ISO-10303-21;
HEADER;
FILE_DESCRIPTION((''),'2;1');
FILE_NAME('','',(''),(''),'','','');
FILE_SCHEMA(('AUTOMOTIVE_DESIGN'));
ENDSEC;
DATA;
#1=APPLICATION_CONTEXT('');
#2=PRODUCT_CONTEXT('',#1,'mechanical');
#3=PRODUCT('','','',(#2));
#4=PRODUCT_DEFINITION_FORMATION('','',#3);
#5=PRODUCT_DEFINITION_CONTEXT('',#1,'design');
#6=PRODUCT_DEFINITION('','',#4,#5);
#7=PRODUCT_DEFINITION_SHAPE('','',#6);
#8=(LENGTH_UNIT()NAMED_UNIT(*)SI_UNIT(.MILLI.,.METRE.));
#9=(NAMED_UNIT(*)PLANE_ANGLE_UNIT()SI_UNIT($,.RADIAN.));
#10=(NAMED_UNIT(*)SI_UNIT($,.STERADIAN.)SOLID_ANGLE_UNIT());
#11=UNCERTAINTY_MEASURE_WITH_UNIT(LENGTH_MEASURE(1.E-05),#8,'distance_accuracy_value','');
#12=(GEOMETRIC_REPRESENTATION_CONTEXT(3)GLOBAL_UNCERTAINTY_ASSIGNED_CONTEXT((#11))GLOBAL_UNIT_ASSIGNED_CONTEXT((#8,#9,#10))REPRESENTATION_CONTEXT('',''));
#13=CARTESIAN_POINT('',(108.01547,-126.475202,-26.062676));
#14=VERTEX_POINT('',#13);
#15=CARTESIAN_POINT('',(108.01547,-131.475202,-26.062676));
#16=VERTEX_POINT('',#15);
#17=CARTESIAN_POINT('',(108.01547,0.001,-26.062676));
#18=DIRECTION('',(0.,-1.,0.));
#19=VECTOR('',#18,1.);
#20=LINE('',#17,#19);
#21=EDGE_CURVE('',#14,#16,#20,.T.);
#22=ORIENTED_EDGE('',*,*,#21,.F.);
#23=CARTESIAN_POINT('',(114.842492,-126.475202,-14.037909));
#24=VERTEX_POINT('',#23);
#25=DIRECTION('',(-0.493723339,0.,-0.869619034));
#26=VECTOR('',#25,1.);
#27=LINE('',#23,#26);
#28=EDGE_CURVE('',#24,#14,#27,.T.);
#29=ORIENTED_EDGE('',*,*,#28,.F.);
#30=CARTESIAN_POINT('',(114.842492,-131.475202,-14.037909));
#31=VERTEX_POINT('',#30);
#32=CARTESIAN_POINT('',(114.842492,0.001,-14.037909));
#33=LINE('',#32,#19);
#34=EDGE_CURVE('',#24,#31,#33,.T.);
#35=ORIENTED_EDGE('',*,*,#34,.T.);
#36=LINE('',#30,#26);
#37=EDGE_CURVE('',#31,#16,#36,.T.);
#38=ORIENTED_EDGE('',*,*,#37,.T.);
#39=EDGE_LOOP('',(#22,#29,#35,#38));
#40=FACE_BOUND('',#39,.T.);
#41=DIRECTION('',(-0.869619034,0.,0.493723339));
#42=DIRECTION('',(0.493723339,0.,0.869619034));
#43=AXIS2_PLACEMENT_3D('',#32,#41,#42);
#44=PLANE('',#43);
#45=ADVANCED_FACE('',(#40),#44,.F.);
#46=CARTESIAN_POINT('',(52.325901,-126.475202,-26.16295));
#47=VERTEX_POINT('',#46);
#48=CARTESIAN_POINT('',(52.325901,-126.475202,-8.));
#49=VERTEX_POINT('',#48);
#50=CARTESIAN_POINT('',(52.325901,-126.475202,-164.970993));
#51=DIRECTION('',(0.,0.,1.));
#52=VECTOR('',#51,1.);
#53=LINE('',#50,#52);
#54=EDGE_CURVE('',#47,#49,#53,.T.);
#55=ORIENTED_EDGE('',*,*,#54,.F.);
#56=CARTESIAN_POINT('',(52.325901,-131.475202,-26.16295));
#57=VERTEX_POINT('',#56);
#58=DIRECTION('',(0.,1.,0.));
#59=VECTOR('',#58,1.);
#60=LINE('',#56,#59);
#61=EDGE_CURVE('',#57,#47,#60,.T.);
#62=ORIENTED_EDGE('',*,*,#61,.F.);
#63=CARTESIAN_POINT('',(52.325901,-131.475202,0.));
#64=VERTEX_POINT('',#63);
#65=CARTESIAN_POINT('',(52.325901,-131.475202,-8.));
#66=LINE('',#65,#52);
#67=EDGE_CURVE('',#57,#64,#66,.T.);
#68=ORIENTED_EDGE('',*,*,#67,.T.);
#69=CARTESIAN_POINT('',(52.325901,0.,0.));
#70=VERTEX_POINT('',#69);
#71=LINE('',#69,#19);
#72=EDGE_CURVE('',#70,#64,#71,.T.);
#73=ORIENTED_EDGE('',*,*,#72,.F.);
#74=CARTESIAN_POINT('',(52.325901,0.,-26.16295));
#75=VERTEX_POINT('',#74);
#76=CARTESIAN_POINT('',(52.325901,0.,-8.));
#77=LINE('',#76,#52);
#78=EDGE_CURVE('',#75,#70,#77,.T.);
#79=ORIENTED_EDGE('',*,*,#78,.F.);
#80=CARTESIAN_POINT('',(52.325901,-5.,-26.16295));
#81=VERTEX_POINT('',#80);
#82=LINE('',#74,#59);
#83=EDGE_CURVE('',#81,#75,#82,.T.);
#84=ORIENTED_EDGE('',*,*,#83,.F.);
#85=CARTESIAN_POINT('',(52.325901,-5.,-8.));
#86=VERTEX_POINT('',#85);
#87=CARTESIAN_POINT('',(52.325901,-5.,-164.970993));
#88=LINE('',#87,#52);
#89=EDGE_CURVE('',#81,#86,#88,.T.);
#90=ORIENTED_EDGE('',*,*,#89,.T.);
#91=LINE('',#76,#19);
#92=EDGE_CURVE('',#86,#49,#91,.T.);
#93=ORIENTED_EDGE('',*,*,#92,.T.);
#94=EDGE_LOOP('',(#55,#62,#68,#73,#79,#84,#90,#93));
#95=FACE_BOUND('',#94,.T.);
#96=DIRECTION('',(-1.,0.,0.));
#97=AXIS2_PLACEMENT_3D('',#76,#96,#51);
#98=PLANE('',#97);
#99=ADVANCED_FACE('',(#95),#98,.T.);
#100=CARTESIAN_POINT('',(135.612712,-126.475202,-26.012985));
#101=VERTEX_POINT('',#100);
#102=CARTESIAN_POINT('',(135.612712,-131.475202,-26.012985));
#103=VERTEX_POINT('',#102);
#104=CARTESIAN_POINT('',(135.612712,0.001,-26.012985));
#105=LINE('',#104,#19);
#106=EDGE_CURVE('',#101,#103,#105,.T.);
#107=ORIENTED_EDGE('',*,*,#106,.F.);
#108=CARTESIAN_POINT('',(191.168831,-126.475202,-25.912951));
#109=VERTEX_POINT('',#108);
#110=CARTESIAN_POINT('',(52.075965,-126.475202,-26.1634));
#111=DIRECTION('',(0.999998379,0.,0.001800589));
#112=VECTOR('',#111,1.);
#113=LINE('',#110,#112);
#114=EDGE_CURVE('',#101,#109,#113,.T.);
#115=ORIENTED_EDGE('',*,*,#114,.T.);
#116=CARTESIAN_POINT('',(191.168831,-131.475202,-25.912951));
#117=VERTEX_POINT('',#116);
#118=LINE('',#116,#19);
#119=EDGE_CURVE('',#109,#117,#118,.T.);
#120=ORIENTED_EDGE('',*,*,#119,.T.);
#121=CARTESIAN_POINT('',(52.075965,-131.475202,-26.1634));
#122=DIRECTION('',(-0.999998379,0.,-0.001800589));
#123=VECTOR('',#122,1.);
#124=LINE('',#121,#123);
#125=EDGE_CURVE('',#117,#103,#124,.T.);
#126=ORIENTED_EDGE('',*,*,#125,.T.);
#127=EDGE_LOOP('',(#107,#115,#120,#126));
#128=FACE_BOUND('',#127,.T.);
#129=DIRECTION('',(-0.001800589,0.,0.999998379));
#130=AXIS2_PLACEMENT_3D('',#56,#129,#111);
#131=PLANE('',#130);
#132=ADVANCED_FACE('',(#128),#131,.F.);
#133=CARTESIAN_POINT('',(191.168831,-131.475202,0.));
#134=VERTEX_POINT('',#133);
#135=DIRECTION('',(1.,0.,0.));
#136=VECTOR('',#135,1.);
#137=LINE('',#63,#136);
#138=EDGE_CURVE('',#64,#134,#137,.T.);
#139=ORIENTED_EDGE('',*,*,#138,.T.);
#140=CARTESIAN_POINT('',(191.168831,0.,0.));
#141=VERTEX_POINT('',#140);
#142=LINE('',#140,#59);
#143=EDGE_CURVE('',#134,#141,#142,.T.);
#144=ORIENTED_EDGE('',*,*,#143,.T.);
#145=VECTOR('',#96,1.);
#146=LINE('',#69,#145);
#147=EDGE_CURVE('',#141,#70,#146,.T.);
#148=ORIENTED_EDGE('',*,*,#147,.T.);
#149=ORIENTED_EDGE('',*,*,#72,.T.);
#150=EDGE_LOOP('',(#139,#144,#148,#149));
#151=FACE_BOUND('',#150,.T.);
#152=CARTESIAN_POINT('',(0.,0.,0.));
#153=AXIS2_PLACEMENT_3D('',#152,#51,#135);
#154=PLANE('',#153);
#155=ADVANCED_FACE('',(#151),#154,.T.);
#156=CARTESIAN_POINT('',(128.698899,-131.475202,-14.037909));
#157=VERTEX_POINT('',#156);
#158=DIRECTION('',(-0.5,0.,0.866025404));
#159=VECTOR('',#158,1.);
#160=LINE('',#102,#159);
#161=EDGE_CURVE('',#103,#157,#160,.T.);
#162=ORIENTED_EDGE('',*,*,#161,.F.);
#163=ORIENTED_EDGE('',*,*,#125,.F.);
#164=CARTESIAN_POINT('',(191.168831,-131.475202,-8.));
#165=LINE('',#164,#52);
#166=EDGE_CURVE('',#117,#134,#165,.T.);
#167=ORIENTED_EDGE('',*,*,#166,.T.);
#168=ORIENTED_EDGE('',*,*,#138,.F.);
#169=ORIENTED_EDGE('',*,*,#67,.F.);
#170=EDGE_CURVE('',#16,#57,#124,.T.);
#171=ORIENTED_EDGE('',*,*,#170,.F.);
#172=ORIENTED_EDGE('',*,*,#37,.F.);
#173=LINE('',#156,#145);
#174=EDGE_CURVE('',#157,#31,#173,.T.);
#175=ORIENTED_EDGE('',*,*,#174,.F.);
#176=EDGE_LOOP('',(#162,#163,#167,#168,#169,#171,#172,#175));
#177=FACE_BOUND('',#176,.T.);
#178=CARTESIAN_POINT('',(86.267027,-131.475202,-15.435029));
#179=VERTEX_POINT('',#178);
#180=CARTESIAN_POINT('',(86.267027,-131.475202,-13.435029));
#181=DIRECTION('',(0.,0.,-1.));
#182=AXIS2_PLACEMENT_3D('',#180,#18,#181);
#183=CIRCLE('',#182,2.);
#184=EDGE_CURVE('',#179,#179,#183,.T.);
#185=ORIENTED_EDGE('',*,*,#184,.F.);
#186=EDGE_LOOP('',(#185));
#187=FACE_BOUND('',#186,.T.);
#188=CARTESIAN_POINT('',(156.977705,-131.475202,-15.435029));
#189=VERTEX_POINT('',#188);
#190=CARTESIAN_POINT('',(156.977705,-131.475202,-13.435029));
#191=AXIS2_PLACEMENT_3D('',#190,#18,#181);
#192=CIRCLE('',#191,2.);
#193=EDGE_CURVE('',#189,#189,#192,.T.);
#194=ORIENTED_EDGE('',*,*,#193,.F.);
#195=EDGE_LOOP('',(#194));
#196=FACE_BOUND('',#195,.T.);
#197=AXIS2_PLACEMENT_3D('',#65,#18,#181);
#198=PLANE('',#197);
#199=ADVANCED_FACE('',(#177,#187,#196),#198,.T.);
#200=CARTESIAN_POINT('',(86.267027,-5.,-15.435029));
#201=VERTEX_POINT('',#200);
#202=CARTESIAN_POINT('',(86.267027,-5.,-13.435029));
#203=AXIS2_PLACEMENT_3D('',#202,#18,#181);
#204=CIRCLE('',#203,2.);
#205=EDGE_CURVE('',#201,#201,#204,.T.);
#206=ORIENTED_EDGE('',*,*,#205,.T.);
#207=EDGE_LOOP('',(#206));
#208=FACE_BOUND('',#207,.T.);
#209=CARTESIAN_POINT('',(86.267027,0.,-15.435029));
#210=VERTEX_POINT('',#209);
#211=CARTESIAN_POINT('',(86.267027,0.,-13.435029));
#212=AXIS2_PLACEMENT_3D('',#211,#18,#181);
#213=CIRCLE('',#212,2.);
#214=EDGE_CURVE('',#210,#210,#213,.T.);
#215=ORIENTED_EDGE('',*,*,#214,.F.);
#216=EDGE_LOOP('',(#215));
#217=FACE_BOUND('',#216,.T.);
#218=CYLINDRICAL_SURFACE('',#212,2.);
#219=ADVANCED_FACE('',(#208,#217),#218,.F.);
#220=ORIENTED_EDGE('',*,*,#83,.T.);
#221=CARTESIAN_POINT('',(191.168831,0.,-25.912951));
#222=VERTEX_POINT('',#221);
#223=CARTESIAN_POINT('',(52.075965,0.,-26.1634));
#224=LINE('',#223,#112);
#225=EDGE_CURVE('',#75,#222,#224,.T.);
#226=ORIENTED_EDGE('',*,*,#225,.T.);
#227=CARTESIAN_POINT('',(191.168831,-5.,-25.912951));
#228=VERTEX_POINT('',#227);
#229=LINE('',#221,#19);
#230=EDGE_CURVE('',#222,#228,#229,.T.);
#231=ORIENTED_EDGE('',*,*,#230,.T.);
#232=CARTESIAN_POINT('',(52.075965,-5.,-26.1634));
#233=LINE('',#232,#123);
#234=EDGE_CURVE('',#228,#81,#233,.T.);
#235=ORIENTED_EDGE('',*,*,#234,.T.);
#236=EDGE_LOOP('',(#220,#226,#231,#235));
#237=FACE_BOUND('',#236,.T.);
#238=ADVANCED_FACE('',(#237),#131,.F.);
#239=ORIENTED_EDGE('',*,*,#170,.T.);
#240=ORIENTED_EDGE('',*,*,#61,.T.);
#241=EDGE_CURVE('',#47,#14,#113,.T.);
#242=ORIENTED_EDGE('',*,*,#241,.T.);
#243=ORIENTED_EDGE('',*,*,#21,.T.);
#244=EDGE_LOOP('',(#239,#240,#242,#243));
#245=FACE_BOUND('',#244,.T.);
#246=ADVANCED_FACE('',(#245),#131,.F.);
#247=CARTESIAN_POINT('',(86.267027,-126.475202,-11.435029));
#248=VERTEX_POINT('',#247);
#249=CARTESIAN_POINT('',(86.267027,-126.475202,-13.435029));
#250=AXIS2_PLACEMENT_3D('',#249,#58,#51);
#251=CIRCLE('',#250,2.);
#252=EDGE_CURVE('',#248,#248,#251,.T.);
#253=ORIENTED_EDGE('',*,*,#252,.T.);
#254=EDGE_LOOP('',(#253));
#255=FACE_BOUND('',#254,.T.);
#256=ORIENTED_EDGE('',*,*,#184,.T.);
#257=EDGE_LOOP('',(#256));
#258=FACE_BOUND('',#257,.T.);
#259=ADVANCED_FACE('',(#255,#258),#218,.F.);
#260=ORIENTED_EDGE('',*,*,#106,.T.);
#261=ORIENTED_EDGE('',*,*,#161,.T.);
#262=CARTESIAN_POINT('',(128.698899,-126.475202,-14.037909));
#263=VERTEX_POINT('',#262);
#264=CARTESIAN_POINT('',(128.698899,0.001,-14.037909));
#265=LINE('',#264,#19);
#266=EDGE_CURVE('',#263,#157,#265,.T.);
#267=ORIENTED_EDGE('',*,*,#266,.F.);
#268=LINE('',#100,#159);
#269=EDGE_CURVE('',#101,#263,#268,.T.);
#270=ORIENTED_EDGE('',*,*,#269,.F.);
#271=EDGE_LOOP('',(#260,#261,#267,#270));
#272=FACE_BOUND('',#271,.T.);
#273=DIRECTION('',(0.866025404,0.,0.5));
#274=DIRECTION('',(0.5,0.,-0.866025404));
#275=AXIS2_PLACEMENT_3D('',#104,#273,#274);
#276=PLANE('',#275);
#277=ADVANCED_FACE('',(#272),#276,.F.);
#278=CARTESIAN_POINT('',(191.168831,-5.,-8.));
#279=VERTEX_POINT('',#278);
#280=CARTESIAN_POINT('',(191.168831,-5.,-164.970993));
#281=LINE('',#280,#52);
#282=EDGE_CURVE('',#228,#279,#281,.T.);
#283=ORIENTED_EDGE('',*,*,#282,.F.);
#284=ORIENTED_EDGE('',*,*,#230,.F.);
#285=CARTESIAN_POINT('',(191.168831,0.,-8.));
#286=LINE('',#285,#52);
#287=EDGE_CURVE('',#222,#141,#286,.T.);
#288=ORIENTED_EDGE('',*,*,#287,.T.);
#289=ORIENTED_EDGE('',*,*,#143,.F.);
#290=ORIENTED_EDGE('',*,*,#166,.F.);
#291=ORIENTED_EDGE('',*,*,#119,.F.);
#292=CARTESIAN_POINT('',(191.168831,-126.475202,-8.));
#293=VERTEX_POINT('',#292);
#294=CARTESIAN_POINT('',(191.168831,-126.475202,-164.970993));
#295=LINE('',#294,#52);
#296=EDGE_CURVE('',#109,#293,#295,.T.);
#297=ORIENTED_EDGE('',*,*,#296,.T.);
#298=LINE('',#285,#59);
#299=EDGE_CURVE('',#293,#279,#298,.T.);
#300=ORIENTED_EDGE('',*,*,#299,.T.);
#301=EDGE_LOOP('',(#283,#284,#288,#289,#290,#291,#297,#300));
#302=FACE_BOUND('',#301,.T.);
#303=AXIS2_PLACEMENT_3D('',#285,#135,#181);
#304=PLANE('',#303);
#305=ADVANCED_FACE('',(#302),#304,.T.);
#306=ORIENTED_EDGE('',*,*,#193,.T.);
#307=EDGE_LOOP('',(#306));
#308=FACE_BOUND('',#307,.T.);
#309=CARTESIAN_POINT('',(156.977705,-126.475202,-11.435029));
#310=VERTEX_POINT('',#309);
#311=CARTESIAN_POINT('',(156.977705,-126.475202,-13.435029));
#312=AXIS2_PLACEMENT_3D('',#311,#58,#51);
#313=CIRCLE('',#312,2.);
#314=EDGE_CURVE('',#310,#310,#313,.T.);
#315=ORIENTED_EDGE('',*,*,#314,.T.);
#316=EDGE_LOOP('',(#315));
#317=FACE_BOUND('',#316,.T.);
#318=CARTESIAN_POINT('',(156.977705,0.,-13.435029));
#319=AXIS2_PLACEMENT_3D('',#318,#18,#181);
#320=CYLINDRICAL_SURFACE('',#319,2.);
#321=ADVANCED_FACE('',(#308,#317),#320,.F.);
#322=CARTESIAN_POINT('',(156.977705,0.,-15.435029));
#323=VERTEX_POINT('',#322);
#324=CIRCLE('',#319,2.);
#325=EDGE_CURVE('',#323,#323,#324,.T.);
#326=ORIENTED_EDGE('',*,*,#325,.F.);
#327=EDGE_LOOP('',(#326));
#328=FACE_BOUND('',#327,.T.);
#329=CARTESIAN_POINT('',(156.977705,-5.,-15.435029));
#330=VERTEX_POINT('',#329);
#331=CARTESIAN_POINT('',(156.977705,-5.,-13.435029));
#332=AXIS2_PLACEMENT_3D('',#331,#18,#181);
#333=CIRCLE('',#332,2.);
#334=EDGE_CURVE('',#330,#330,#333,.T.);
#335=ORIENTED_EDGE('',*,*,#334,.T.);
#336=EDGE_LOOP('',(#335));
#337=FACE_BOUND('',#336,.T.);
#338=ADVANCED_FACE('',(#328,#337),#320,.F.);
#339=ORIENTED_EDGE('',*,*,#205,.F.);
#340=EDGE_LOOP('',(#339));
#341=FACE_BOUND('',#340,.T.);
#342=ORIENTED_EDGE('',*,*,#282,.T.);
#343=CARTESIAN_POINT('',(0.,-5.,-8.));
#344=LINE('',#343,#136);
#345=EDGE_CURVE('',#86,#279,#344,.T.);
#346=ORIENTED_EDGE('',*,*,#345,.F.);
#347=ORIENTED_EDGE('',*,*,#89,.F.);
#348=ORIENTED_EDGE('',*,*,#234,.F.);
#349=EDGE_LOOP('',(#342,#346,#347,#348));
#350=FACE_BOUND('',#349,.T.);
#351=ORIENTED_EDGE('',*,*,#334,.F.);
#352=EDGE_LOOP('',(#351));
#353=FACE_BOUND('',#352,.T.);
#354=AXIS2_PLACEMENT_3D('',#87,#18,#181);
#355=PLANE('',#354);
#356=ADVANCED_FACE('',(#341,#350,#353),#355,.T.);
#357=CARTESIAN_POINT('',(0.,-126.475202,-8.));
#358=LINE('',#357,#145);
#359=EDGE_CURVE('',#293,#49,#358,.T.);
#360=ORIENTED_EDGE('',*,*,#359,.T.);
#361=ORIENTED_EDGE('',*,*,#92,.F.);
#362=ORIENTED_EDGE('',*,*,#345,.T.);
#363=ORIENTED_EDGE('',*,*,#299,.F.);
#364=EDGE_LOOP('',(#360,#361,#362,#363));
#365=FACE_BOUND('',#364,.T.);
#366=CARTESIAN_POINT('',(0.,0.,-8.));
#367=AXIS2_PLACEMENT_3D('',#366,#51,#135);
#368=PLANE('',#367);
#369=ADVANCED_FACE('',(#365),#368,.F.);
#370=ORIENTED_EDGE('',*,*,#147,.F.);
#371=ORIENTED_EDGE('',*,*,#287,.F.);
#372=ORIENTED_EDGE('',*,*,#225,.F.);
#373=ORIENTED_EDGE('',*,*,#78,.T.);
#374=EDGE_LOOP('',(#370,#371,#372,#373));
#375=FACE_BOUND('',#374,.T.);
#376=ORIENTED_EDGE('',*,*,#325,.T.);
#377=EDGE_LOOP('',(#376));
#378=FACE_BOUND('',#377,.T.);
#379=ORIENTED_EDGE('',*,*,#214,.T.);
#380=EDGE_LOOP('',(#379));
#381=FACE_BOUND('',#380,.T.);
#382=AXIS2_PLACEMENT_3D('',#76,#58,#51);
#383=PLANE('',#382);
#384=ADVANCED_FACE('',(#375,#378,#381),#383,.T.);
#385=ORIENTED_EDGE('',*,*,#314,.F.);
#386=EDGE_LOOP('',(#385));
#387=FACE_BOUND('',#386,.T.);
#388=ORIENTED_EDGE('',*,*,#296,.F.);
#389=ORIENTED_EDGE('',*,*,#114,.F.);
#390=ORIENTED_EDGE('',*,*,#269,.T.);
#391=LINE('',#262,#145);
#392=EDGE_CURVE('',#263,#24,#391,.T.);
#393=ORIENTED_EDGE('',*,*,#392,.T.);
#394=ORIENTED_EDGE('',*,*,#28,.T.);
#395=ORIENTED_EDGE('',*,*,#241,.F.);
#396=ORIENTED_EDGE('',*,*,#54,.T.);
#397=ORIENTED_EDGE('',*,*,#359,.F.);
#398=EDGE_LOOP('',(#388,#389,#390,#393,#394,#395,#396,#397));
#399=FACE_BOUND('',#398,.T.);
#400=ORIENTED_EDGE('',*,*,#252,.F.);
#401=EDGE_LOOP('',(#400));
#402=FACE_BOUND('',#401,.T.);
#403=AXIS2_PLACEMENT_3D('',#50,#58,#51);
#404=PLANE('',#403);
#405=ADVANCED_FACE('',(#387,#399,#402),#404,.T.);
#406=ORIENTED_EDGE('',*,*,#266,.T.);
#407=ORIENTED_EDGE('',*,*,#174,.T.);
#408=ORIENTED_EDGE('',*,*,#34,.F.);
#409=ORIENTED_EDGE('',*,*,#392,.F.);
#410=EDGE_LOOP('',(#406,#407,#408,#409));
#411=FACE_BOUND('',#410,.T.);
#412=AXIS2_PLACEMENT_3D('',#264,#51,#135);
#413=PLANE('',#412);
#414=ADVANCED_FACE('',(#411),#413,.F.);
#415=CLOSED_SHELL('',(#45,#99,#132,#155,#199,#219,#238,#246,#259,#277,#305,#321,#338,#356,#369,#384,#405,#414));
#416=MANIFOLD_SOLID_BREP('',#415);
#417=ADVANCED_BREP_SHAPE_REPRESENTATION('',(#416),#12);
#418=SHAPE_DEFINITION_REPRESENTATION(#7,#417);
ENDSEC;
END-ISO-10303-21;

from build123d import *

# Parameters (mm, degrees)
SKETCH1_W           = 138.84292961
SKETCH1_H           = 131.475201729
BOSS_EXTRUDE1_DEPTH = 8
BOSS_EXTRUDE2_REACH = 234.154
SKETCH3_W           = 138.84292961
SKETCH3_H           = 5
CUT_EXTRUDE1_REACH  = 235.486
SKETCH5_R           = 2
CUT_EXTRUDE2_DEPTH  = 234.486082153


with BuildPart() as part:
    # Sketch1 → Boss-Extrude1 (new body)
    with BuildSketch(Plane.XY):
        with Locations((121.747366115, -65.737600865)):
            Rectangle(SKETCH1_W, SKETCH1_H)
    extrude(amount=-BOSS_EXTRUDE1_DEPTH)

    # Boss-Extrude2: up to this plane
    boss_extrude2_end = Plane(origin=(52.32590131, -131.475201729, -26.162950407), z_dir=(-0.001800589328445012, 0, 0.9999983789377211))
    # Sketch3 → Boss-Extrude2 (add, up to the surface)
    with BuildSketch(Plane.XY, mode=Mode.PRIVATE) as boss_extrude2_sk1:
        with Locations((121.747366115, -2.5)):
            Rectangle(SKETCH3_W, SKETCH3_H)
    boss_extrude2_tool1 = split(extrude(boss_extrude2_sk1.sketch, amount=-BOSS_EXTRUDE2_REACH, mode=Mode.PRIVATE), bisect_by=boss_extrude2_end, keep=Keep.BOTH, mode=Mode.PRIVATE)
    add(boss_extrude2_tool1.solids().sort_by_distance((121.747366, -2.5, 0))[0])
    # Sketch3 → Boss-Extrude2 (add, up to the surface)
    with BuildSketch(Plane.XY, mode=Mode.PRIVATE) as boss_extrude2_sk2:
        with Locations((121.747366115, -128.975201729)):
            Rectangle(SKETCH3_W, SKETCH3_H)
    boss_extrude2_tool2 = split(extrude(boss_extrude2_sk2.sketch, amount=-BOSS_EXTRUDE2_REACH, mode=Mode.PRIVATE), bisect_by=boss_extrude2_end, keep=Keep.BOTH, mode=Mode.PRIVATE)
    add(boss_extrude2_tool2.solids().sort_by_distance((121.747366, -128.975202, 0))[0])

    # Sketch4 → Cut-Extrude1 (cut, up to next)
    with BuildSketch(Plane.XZ.offset(131.475201729), mode=Mode.PRIVATE) as cut_extrude1_sk1:
        Polygon((135.612712051, -26.012984821), (128.698898599, -14.037908649), (114.842492139, -14.037908649), (108.015470014, -26.062676201), align=None)
    cut_extrude1_tool1 = extrude(cut_extrude1_sk1.sketch, amount=-CUT_EXTRUDE1_REACH, mode=Mode.PRIVATE) & part.part
    add(cut_extrude1_tool1.solids().sort_by_distance((121.790009, -131.475202, -20.700826))[0], mode=Mode.SUBTRACT)

    # Sketch5 → Cut-Extrude2 (cut, through all)
    with BuildSketch(Plane.XZ.offset(131.475201729)):
        with Locations(Location((86.267027305, -13.435028843, 0), (0, 0, 270))):
            Circle(SKETCH5_R)
        with Locations(Location((156.977705423, -13.435028843, 0), (0, 0, 270))):
            Circle(SKETCH5_R)
    extrude(amount=-CUT_EXTRUDE2_DEPTH, mode=Mode.SUBTRACT)


solid = part.part
